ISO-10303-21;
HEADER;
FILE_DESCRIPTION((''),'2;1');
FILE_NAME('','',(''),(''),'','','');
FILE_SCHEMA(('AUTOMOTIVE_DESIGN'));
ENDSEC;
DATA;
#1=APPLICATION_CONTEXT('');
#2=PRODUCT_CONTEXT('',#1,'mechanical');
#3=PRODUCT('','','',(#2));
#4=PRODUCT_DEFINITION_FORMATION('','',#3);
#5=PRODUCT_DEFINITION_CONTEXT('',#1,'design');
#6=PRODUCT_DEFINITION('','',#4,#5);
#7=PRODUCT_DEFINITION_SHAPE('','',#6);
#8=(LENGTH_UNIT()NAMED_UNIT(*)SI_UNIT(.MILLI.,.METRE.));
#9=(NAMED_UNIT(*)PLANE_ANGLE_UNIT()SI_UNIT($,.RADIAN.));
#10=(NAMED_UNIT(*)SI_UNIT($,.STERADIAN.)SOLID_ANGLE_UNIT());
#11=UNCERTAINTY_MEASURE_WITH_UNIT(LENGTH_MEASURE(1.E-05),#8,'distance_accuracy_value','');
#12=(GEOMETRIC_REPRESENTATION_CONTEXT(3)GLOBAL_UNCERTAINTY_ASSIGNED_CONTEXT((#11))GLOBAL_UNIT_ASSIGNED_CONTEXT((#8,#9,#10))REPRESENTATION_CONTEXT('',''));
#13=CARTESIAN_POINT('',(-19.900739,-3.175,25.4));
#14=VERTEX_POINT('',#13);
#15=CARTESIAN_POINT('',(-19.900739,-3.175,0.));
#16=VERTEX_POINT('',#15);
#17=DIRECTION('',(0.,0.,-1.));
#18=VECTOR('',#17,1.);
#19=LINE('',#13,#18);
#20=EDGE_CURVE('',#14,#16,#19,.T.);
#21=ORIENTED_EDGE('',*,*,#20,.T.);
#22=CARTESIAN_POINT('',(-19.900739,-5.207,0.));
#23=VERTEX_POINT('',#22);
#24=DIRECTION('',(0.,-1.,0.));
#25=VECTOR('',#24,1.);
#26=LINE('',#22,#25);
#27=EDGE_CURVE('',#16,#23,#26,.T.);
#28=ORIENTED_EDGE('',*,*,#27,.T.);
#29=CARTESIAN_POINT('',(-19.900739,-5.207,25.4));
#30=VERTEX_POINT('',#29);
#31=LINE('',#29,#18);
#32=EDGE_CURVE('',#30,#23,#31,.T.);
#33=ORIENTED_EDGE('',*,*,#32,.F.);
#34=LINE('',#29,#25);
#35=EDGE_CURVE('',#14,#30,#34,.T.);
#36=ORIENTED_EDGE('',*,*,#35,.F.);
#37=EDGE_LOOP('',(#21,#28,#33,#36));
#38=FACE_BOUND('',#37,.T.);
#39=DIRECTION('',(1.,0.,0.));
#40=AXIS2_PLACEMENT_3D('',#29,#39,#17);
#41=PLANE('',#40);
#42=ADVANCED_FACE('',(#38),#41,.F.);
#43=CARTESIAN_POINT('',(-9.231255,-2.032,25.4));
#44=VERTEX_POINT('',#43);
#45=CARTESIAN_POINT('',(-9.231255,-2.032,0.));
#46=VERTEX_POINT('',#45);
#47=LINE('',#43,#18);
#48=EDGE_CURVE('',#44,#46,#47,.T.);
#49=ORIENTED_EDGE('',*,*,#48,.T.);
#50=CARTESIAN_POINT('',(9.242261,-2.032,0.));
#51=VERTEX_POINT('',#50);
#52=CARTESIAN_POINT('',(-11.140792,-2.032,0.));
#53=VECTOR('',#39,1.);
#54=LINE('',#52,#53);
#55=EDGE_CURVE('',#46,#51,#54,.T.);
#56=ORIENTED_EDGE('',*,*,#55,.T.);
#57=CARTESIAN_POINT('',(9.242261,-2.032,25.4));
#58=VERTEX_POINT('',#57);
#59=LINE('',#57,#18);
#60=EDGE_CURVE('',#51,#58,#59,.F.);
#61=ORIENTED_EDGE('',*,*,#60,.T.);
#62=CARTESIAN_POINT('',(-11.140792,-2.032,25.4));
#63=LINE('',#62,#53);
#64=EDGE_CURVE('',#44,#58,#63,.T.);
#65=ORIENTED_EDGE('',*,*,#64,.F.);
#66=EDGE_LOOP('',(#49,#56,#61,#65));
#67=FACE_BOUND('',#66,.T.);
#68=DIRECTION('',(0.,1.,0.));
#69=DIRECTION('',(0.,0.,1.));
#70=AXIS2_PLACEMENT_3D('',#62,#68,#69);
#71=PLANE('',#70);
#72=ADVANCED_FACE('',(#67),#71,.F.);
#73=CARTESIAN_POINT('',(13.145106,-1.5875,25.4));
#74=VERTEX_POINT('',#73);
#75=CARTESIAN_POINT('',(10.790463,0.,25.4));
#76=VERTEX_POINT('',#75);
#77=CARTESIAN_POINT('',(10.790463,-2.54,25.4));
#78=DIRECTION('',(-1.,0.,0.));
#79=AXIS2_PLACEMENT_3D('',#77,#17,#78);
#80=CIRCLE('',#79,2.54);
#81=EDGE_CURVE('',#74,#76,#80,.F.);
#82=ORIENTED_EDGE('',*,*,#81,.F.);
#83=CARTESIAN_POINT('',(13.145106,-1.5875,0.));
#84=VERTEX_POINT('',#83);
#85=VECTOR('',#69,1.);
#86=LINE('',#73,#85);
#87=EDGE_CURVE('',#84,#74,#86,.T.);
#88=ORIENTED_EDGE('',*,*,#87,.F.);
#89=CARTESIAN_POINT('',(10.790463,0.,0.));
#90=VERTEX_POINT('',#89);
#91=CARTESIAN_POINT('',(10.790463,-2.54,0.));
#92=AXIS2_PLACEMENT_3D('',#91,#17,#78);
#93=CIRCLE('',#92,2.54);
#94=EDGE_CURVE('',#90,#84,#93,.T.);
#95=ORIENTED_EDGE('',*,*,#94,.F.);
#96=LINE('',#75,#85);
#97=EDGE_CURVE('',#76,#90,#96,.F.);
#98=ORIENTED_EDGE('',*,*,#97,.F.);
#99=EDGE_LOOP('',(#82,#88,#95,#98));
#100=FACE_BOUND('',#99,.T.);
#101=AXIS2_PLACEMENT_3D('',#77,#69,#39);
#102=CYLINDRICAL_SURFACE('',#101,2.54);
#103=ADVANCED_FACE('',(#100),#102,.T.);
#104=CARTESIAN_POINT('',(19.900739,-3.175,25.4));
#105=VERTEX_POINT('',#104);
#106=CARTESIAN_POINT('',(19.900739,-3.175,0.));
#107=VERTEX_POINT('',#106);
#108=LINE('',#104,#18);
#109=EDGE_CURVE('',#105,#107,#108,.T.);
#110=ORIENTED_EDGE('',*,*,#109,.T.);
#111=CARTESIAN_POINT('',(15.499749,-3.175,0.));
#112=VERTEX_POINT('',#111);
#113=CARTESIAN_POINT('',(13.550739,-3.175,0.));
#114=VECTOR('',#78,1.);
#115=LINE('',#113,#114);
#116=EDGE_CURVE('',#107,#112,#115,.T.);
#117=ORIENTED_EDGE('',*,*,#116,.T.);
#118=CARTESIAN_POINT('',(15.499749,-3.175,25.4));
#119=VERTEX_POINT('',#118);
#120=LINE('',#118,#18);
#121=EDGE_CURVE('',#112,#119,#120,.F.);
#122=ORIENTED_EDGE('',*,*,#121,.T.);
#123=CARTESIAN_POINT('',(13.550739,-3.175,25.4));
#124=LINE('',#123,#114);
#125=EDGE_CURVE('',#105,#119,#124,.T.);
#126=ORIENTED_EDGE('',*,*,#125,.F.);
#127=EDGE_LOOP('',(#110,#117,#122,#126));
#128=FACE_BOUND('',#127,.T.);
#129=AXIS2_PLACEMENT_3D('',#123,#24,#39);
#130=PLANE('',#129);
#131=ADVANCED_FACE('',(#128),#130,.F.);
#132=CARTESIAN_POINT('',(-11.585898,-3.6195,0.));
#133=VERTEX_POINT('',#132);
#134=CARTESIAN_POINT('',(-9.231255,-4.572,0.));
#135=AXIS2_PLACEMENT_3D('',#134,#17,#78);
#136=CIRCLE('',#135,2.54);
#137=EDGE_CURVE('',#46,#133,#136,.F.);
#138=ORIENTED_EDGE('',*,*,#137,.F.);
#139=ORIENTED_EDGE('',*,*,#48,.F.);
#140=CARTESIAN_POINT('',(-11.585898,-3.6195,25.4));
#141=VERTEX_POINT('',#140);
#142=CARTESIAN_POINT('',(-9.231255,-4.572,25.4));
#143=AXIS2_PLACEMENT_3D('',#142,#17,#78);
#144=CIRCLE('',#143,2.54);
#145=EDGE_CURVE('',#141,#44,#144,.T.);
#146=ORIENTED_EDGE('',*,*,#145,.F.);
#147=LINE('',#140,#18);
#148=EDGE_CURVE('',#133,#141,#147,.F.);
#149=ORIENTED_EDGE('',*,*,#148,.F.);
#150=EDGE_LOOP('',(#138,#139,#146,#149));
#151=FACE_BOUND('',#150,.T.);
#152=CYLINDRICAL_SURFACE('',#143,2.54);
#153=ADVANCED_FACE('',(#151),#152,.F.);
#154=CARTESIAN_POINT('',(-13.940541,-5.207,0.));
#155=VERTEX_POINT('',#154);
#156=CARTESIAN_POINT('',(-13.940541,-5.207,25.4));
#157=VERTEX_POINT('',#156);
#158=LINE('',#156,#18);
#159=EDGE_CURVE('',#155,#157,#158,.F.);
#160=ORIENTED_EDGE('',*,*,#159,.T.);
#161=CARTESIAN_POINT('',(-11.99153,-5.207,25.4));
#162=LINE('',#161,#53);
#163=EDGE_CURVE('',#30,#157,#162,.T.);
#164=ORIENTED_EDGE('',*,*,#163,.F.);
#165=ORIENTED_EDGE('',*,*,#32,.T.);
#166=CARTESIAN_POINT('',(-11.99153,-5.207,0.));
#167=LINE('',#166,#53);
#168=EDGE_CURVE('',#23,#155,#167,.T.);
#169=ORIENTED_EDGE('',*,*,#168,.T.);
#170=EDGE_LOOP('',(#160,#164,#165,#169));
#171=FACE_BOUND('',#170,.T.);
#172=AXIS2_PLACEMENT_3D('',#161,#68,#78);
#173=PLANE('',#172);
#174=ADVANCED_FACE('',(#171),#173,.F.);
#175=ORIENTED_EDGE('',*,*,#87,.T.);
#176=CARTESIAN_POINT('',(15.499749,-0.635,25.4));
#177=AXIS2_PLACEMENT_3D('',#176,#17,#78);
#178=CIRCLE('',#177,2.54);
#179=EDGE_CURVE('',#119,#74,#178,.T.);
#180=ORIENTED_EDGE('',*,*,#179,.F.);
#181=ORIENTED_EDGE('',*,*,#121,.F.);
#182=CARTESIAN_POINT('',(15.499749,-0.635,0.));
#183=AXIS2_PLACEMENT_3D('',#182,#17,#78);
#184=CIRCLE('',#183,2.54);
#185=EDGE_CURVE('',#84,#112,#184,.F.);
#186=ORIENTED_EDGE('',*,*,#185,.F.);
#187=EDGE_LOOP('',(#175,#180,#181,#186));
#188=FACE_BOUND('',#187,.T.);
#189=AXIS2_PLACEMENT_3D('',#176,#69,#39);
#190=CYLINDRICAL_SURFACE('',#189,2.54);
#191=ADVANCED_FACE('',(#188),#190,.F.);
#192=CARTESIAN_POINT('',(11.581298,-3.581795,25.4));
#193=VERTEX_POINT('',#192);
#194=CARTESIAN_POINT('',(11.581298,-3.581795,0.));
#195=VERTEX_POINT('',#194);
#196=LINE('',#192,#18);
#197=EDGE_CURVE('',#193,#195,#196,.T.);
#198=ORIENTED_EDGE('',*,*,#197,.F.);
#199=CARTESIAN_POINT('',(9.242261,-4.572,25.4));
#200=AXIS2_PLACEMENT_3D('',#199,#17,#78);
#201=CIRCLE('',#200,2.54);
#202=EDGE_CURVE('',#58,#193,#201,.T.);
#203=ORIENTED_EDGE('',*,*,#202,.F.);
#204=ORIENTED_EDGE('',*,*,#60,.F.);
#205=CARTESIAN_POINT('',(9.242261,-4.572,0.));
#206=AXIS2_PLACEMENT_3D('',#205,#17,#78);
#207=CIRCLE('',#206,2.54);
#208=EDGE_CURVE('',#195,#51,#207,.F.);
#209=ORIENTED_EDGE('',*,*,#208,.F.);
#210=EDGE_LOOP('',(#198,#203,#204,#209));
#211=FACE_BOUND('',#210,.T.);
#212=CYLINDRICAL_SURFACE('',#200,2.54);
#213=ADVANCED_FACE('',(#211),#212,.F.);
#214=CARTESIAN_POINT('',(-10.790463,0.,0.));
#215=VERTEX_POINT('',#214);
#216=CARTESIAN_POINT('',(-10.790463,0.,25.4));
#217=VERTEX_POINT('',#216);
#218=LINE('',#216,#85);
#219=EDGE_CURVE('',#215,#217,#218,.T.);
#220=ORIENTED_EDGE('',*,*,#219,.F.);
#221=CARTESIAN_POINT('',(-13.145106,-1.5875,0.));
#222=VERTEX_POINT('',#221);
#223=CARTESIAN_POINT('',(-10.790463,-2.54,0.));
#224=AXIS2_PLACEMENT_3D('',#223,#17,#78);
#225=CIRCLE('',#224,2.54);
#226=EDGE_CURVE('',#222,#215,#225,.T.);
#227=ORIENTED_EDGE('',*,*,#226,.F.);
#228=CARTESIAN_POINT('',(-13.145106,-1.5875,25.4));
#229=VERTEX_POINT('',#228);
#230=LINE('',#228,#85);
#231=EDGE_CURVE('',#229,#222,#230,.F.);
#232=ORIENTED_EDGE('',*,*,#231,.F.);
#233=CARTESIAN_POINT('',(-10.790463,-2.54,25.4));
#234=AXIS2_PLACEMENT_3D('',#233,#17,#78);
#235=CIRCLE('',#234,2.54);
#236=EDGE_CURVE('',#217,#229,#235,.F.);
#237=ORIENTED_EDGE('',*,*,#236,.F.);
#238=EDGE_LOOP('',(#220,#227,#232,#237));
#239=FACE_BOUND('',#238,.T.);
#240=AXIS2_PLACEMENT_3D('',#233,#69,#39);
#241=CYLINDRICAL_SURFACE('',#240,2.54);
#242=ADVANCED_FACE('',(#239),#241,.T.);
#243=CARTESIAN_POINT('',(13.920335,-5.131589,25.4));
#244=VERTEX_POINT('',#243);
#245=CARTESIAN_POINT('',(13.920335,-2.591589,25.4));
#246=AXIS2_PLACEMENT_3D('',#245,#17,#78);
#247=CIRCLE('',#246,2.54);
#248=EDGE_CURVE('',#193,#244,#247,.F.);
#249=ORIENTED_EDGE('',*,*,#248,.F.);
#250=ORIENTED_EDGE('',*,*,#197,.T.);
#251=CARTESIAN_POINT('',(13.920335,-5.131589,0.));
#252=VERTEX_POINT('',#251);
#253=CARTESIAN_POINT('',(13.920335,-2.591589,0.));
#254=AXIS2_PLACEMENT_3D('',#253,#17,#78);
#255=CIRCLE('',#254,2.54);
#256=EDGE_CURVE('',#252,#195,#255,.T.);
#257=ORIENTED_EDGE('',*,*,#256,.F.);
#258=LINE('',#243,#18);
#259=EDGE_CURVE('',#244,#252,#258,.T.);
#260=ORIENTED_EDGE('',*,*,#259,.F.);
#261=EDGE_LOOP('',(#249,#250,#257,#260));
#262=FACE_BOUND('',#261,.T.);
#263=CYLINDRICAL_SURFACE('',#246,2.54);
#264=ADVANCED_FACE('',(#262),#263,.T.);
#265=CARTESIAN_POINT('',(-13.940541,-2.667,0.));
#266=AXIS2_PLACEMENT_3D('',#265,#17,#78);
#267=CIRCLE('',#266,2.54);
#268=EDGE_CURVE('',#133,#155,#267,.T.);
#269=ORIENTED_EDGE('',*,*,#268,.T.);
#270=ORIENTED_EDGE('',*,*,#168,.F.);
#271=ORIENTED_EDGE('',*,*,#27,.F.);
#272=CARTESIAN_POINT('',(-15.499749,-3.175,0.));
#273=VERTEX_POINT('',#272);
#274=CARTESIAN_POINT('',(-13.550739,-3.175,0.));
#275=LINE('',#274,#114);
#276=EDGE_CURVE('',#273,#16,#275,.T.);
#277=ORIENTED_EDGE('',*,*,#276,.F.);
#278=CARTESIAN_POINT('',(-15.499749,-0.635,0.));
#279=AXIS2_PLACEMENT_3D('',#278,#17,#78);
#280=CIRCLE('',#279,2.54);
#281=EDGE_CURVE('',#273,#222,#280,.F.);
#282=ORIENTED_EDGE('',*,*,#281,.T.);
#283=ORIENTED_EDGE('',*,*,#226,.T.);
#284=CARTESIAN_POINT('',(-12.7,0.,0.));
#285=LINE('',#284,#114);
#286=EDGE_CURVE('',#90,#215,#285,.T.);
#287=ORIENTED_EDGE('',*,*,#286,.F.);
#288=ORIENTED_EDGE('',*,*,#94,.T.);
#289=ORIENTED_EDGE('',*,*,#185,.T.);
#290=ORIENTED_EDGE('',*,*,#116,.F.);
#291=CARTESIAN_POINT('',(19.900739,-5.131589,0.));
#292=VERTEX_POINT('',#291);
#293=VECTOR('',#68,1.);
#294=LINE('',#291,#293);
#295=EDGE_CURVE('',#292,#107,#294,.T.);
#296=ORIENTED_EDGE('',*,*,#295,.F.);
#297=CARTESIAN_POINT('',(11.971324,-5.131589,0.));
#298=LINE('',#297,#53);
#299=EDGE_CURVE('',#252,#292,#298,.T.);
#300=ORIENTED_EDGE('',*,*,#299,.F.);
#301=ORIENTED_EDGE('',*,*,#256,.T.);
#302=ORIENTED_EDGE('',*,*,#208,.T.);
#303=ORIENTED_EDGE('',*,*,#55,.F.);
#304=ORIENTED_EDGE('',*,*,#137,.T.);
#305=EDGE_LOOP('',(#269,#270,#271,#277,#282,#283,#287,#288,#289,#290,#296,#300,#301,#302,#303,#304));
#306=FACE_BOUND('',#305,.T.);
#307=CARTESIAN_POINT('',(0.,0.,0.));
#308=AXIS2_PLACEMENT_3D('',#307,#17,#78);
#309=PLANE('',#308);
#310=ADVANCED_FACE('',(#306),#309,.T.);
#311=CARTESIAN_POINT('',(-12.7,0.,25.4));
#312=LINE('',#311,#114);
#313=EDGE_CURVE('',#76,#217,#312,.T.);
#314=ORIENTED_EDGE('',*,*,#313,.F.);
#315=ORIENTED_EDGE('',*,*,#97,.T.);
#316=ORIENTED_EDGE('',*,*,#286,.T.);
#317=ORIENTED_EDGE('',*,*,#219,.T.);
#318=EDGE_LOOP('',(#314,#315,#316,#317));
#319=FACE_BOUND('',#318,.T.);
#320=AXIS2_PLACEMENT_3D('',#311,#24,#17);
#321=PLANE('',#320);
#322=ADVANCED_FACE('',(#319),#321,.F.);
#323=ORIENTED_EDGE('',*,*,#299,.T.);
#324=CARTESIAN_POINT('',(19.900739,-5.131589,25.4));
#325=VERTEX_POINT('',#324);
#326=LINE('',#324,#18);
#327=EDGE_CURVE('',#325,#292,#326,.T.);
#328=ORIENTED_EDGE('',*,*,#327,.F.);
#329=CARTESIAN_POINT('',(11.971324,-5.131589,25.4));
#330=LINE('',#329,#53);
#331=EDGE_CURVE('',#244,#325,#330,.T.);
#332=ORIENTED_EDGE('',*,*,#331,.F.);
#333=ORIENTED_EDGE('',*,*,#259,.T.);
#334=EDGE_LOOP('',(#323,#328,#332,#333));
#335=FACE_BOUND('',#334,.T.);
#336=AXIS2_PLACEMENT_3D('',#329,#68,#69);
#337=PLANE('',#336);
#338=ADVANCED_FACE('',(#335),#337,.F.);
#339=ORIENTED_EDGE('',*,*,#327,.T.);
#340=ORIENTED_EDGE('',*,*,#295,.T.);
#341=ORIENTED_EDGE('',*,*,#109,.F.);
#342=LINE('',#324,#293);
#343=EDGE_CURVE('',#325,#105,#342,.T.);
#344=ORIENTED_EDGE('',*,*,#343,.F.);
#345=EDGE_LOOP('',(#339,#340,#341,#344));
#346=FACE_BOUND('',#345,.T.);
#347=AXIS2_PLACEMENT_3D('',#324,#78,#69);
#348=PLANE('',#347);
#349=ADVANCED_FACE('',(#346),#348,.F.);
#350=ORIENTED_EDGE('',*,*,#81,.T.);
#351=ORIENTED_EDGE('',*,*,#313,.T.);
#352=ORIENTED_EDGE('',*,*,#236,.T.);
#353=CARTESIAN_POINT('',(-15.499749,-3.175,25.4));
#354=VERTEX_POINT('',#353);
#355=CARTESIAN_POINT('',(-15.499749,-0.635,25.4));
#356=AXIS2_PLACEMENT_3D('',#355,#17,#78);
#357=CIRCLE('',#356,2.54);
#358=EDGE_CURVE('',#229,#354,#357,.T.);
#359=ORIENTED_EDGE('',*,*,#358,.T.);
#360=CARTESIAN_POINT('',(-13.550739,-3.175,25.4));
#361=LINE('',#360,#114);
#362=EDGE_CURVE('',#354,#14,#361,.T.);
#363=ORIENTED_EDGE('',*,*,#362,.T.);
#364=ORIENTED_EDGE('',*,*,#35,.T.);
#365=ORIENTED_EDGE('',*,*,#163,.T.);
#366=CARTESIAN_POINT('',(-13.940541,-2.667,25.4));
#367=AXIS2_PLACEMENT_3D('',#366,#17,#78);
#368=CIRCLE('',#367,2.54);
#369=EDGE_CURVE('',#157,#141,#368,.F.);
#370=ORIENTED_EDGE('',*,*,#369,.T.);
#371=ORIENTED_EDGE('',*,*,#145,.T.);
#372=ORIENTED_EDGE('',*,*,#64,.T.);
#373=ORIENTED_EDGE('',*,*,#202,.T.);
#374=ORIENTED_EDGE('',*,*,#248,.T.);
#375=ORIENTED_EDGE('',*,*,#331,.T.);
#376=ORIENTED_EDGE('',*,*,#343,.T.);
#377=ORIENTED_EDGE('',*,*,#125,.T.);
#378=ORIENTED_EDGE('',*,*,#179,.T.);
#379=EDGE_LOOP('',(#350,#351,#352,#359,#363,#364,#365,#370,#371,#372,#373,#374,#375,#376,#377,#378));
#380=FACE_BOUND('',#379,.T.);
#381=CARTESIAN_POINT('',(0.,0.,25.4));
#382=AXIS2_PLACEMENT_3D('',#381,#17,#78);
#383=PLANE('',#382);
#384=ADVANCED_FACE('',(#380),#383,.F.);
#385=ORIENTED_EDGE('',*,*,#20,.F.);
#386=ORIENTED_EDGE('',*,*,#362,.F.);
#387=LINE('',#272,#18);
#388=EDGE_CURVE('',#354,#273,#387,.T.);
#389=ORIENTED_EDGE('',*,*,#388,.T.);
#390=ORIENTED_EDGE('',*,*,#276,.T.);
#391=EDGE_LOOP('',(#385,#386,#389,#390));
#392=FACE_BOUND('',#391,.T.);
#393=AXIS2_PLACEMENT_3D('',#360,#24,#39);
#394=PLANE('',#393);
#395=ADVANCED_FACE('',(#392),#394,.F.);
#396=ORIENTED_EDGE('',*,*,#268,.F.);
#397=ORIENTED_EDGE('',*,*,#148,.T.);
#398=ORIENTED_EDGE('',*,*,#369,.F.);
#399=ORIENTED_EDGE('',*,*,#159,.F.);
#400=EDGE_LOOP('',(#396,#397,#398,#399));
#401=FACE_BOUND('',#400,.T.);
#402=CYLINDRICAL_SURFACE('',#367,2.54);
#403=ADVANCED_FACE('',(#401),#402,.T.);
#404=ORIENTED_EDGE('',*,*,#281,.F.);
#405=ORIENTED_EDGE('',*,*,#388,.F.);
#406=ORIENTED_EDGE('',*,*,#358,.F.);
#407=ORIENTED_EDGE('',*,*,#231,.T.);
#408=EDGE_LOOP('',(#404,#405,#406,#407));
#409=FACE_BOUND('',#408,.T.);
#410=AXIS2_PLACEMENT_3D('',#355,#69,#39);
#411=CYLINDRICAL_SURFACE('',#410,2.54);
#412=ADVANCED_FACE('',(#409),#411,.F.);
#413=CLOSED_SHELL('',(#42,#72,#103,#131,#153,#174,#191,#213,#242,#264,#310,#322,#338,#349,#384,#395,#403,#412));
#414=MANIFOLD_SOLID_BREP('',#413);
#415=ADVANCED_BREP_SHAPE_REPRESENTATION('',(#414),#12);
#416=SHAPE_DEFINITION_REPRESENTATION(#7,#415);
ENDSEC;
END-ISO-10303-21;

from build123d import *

# Parameters (mm, degrees)
BOSS_EXTRUDE1_DEPTH = 25.4
FILLET1_R           = 2.54
FILLET2_R           = 2.54
FILLET3_R           = 2.54
FILLET5_R           = 2.54
FILLET6_R           = 2.54


with BuildPart() as part:
    # Sketch1 → Boss-Extrude1 (new body)
    with BuildSketch(Plane.XY):
        Polygon((-12.7, 0), (12.7, 0), (13.550738686, -3.175), (19.900738686, -3.175), (19.900738686, -5.131589334), (11.971324019, -5.131589334), (11.14079156, -2.032), (-11.14079156, -2.032), (-11.991530246, -5.207), (-19.900738686, -5.207), (-19.900738686, -3.175), (-13.550738686, -3.175), align=None)
    extrude(amount=BOSS_EXTRUDE1_DEPTH)

    # Fillet1
    fillet1_edges = [part.edges().sort_by_distance(p)[0] for p in [
        (13.550738686, -3.175, 12.7),
    ]]
    fillet(fillet1_edges, radius=FILLET1_R)

    # Fillet2
    fillet2_edges = [part.edges().sort_by_distance(p)[0] for p in [
        (12.7, 0, 12.7),
    ]]
    fillet(fillet2_edges, radius=FILLET2_R)

    # Fillet3
    fillet3_edges = [part.edges().sort_by_distance(p)[0] for p in [
        (-11.991530246, -5.207, 12.7),
        (11.971324019, -5.131589334, 12.7),
    ]]
    fillet(fillet3_edges, radius=FILLET3_R)

    # Fillet5
    fillet5_edges = [part.edges().sort_by_distance(p)[0] for p in [
        (-13.550738686, -3.175, 12.7),
        (11.14079156, -2.032, 12.7),
        (-11.14079156, -2.032, 12.7),
    ]]
    fillet(fillet5_edges, radius=FILLET5_R)

    # Fillet6
    fillet6_edges = [part.edges().sort_by_distance(p)[0] for p in [
        (-12.7, 0, 12.7),
    ]]
    fillet(fillet6_edges, radius=FILLET6_R)


solid = part.part
